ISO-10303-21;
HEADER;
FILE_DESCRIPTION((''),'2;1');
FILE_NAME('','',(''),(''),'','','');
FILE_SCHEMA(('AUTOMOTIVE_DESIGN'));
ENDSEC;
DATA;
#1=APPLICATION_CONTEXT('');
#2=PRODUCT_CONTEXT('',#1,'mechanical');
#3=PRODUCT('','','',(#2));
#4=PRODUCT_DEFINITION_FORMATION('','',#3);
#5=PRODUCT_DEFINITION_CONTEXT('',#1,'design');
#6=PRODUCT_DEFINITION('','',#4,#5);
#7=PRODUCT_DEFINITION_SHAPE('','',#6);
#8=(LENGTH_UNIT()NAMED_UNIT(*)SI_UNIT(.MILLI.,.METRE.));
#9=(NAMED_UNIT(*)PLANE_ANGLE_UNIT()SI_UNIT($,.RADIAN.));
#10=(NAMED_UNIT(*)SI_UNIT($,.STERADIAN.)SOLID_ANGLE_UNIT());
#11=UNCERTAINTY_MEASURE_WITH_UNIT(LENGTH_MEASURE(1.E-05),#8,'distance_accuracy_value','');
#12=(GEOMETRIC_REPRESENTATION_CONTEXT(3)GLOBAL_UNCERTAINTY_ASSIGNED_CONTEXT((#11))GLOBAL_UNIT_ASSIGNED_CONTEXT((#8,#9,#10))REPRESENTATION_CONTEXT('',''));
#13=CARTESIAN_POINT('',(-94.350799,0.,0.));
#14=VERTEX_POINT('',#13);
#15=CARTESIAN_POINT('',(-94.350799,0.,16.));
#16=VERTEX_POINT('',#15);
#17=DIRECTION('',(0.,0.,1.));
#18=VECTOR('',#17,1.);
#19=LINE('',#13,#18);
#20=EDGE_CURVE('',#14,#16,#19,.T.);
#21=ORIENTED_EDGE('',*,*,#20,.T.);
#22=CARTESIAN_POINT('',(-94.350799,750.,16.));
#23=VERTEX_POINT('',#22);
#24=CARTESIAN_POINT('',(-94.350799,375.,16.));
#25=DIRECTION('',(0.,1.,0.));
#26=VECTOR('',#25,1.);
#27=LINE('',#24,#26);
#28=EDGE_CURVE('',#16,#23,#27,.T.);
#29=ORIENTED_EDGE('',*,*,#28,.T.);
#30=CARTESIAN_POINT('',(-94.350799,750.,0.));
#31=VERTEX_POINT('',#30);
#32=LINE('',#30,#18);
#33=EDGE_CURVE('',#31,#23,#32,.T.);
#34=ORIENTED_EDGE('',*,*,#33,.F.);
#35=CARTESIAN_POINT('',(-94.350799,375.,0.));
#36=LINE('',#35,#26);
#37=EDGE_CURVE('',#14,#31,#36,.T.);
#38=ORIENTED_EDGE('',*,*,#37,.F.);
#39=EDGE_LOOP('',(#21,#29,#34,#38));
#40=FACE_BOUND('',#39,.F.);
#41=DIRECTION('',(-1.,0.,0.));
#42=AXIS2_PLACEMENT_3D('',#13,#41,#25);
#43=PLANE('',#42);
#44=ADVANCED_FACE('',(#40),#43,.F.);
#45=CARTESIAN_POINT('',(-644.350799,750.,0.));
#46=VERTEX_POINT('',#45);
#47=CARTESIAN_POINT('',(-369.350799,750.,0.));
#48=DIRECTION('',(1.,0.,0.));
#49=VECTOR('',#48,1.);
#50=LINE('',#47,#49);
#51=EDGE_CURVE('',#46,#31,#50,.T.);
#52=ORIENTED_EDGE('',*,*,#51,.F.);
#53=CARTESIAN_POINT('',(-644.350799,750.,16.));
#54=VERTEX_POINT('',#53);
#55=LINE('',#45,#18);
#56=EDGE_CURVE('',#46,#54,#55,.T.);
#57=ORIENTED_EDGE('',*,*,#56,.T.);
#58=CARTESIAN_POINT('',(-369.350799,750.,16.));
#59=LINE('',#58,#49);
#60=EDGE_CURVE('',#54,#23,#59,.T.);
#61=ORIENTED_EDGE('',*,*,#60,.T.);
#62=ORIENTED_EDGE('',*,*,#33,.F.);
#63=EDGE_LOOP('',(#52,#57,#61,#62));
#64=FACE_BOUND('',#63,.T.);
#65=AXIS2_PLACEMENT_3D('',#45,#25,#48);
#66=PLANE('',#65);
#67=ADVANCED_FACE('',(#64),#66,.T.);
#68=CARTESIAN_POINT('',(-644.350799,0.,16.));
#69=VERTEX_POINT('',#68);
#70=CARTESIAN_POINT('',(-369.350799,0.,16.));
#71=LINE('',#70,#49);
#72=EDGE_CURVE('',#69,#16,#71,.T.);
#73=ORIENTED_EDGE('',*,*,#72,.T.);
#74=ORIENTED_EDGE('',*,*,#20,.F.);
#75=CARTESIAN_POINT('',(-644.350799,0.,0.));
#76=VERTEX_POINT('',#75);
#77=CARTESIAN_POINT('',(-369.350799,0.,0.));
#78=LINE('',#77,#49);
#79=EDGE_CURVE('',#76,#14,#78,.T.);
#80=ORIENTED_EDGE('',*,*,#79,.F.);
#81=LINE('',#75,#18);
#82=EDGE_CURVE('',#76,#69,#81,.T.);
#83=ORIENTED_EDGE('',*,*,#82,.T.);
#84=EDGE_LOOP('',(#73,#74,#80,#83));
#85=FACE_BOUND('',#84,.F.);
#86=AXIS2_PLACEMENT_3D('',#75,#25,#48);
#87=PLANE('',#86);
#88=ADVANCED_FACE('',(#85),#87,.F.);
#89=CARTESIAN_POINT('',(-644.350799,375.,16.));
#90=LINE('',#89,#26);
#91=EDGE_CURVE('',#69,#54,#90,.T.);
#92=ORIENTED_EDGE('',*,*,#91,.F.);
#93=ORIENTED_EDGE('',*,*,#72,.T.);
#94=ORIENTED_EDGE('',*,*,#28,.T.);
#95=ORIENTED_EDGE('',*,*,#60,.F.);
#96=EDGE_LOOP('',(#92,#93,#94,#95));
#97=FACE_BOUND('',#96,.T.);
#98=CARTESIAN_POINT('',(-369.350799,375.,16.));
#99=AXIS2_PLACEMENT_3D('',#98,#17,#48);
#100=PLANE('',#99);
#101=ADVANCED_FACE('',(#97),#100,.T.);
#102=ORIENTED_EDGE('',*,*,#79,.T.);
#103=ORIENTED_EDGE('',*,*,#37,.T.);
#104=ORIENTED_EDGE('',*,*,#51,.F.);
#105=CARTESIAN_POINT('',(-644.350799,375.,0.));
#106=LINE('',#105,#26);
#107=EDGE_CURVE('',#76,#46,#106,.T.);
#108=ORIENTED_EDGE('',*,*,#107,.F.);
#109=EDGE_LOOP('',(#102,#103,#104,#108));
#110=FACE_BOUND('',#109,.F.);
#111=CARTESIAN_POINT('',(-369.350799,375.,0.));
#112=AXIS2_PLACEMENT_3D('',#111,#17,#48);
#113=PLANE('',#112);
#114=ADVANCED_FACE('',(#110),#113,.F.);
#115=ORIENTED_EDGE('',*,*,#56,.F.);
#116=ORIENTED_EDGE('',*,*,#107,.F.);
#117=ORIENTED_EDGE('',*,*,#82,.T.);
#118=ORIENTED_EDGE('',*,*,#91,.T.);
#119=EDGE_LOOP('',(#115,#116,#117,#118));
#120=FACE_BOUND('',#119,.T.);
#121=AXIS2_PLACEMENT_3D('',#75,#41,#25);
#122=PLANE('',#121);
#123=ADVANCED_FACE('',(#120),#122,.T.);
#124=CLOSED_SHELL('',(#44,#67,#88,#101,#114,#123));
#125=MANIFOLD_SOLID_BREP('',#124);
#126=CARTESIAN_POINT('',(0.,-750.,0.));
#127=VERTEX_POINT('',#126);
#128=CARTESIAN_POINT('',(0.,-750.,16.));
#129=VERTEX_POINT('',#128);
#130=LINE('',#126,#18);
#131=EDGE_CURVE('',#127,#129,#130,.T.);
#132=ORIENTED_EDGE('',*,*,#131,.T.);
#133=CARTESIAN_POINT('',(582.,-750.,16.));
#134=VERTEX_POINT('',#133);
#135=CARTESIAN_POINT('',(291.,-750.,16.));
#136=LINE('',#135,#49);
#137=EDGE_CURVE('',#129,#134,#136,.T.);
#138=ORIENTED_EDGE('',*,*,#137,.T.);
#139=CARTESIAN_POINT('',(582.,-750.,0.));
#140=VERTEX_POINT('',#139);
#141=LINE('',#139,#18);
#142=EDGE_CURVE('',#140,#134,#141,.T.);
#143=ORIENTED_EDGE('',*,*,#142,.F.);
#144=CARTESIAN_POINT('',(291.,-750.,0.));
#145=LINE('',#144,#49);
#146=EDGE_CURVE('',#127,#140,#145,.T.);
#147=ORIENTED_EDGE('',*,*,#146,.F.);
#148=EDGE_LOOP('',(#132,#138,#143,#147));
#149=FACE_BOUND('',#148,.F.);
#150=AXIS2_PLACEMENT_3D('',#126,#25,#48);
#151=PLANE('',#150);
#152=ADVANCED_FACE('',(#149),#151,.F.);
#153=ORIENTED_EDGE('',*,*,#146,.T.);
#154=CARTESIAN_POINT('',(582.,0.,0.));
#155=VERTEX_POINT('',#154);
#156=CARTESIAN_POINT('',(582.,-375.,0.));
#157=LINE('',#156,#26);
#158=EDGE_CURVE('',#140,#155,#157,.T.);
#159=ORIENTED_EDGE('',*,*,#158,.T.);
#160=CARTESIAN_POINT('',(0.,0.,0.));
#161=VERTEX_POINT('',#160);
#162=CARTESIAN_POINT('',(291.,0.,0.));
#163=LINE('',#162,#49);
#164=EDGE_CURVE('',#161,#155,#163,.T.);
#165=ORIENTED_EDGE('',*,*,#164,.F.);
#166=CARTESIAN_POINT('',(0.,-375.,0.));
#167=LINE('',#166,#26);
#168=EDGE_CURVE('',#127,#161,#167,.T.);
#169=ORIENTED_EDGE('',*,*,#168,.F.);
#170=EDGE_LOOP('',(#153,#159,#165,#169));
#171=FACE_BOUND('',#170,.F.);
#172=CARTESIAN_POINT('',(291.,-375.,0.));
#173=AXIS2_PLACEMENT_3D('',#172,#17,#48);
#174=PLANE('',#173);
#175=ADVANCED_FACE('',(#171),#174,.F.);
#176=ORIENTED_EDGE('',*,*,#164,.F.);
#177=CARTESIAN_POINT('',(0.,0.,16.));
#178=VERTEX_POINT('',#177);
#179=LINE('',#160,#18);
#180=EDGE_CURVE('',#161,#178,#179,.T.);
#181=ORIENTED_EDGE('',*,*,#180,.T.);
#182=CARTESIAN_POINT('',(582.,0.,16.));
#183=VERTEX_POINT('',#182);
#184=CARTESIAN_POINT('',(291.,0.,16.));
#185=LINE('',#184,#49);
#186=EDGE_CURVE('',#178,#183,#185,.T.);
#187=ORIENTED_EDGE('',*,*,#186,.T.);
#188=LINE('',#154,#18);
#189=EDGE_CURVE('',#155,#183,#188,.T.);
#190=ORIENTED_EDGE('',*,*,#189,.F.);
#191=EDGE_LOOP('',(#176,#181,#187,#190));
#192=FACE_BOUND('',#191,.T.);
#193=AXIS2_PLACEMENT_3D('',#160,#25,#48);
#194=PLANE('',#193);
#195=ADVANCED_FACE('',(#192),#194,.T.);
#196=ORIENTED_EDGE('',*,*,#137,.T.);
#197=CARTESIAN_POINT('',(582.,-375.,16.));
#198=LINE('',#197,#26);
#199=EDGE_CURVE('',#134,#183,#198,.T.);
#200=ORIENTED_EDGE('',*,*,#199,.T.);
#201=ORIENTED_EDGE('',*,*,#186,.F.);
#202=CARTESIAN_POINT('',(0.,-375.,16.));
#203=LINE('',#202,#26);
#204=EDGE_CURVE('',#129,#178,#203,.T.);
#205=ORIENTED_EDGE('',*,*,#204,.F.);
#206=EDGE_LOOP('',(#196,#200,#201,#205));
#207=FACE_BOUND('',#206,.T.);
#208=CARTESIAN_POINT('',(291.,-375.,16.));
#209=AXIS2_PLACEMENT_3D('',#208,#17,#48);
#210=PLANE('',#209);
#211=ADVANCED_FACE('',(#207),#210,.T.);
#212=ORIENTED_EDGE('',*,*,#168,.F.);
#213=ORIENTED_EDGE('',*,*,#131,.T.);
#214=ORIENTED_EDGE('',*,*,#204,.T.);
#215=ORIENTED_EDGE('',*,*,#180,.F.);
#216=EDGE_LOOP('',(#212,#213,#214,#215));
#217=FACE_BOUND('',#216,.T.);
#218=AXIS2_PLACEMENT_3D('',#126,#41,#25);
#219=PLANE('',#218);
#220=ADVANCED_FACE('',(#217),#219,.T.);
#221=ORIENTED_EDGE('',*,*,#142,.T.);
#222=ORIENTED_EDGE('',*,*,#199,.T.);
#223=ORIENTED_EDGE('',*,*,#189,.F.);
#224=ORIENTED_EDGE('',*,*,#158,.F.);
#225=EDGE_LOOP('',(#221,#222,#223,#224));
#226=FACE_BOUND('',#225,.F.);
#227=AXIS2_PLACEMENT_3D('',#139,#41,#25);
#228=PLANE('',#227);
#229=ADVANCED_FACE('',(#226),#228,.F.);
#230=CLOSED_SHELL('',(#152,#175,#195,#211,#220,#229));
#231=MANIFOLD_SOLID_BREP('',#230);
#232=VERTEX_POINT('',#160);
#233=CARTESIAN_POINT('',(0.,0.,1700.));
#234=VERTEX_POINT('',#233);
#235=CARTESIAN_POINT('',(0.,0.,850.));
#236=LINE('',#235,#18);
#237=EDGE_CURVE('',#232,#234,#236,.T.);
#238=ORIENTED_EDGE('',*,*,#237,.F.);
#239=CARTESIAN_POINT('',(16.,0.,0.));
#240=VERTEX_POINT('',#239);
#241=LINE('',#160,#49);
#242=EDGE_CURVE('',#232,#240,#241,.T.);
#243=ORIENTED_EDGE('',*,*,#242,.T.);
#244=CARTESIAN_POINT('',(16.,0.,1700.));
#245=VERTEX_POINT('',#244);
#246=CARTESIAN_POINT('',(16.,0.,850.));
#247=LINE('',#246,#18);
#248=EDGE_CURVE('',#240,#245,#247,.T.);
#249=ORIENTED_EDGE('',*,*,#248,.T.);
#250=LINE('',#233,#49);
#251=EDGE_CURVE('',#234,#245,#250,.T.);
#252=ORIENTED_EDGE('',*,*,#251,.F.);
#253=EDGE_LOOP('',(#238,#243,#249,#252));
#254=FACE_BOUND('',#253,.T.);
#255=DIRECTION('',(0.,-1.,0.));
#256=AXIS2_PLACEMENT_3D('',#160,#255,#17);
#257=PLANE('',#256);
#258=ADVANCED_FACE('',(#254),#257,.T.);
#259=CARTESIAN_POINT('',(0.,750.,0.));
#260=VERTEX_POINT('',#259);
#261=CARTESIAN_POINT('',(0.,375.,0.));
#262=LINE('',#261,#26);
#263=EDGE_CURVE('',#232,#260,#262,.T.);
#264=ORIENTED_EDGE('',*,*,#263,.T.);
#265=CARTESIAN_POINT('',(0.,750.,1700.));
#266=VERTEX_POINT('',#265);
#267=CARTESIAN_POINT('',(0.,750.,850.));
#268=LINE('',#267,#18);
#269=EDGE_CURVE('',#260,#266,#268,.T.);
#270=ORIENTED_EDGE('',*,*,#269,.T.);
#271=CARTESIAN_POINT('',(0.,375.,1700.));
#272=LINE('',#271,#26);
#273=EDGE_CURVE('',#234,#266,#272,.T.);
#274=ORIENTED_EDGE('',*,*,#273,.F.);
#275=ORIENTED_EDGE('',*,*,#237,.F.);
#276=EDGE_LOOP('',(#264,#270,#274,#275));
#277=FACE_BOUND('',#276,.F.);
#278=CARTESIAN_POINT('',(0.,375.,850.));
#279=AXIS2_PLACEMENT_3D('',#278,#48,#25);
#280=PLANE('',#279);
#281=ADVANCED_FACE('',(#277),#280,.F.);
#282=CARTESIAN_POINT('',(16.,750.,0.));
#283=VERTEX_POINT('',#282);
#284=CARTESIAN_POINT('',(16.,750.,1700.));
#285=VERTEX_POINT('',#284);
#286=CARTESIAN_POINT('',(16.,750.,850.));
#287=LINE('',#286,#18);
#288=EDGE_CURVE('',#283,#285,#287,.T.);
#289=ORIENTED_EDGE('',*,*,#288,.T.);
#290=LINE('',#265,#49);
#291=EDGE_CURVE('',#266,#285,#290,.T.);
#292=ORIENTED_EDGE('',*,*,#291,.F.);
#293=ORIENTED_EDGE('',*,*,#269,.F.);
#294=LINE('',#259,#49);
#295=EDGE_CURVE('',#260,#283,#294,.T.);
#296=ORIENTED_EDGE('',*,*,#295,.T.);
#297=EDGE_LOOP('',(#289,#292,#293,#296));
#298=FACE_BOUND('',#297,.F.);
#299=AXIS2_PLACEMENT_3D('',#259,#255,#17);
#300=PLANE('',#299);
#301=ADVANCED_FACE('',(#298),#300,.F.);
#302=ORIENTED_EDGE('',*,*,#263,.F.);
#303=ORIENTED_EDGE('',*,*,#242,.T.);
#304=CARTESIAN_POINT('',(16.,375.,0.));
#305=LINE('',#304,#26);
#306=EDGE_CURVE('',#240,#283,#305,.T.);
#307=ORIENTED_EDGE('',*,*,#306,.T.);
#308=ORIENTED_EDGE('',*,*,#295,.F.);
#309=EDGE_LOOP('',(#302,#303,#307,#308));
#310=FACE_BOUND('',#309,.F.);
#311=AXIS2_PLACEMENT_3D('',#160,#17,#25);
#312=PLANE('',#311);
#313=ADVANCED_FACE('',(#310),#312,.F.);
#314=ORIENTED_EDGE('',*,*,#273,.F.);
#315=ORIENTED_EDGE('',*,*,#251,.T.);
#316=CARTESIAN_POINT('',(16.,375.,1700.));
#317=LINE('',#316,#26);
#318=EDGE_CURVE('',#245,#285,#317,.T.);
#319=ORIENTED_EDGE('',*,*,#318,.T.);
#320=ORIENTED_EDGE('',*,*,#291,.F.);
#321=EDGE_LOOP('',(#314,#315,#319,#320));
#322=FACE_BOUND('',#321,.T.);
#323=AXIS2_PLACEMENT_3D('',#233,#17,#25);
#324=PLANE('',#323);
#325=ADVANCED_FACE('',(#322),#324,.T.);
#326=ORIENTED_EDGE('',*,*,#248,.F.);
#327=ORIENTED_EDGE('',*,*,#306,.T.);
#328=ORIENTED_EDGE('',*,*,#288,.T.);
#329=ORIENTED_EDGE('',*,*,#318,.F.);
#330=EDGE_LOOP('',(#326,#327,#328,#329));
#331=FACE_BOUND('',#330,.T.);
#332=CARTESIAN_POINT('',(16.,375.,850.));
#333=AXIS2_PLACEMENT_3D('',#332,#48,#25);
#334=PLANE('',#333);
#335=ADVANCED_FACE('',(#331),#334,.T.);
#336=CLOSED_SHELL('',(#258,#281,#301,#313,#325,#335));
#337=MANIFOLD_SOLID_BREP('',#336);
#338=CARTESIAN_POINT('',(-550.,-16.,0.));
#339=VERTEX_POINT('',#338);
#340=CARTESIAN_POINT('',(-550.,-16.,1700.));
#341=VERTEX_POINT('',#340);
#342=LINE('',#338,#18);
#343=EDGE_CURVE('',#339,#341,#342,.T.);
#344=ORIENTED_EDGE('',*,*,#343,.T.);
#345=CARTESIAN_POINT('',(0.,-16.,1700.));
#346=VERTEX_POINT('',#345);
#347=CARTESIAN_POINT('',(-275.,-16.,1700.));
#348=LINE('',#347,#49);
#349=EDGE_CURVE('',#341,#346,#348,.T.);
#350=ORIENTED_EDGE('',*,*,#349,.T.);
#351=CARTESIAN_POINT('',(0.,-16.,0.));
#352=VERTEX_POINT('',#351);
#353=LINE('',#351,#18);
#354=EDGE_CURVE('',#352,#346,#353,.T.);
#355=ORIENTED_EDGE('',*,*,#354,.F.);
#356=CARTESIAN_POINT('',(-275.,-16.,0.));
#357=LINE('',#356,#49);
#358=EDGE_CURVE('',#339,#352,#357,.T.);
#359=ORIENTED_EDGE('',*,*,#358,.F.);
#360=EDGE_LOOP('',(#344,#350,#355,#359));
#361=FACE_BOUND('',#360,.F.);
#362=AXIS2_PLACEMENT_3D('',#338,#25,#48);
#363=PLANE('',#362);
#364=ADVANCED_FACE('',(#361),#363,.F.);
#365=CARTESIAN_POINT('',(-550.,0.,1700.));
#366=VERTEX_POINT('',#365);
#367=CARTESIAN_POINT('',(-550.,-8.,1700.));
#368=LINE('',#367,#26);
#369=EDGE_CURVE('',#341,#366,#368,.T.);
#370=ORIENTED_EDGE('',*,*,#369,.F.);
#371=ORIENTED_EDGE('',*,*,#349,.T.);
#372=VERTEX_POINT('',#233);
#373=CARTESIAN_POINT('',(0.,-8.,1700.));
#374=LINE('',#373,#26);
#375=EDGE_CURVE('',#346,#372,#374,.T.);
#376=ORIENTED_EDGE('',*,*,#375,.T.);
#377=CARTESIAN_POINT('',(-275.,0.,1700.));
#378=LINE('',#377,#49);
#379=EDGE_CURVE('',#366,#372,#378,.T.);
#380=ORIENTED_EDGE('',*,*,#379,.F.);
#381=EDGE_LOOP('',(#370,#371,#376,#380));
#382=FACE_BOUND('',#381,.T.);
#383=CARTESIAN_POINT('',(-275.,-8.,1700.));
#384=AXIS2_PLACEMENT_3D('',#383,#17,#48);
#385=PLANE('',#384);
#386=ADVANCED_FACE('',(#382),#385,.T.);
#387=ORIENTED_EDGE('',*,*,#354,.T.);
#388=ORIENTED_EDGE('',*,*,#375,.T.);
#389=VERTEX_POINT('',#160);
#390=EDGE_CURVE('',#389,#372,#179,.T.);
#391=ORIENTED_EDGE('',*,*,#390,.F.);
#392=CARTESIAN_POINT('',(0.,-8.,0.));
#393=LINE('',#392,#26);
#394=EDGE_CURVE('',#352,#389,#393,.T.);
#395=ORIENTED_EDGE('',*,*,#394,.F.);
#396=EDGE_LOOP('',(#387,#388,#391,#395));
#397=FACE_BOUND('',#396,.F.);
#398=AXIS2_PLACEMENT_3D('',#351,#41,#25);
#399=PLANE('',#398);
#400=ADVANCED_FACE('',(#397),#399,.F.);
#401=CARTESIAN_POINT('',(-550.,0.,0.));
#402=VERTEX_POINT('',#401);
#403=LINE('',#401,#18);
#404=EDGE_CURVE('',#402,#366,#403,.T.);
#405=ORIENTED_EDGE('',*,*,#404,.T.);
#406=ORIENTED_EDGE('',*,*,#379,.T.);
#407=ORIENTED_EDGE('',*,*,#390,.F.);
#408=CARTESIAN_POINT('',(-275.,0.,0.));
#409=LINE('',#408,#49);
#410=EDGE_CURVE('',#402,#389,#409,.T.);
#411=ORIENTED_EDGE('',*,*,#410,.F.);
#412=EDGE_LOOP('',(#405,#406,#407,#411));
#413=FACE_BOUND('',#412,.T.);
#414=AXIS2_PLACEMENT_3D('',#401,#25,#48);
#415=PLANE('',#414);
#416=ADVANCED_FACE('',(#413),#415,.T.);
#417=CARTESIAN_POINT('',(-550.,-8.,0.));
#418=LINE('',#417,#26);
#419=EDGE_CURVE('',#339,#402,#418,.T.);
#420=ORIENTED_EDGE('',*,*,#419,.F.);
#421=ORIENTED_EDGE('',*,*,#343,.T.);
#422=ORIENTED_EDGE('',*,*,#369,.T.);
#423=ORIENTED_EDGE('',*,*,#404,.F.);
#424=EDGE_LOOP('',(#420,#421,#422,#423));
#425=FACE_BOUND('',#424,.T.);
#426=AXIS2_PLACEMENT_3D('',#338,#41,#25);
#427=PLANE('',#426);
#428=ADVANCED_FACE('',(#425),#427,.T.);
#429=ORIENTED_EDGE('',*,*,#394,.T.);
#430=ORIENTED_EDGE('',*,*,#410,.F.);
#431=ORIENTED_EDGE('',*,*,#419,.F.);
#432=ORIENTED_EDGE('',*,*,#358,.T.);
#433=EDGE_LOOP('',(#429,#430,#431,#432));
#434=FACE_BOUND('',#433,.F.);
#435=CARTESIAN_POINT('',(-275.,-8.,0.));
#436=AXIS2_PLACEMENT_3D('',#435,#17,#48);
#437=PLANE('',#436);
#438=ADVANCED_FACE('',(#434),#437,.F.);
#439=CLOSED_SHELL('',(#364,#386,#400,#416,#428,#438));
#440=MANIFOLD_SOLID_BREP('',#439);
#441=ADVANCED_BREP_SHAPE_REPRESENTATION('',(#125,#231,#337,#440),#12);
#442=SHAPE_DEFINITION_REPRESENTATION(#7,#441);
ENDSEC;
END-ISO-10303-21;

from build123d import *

# Parameters (mm, degrees)
F0_W     = 750
F0_H     = 1700
F1_DEPTH = 16
F2_W     = 550
F2_H     = 750
F3_DEPTH = 16
F4_W     = 550
F4_H     = 16
F5_DEPTH = 1700
F6_W     = 582
F6_H     = 750
F7_DEPTH = 16


with BuildPart() as f1:
    # F0 (on Right) → F1 (new body)
    with BuildSketch(Plane.YZ):
        with Locations((375, 850)):
            Rectangle(F0_W, F0_H)
    extrude(amount=F1_DEPTH)


with BuildPart() as f3:
    # F2 (on Top) → F3 (new body)
    with BuildSketch(Plane.XY):
        with Locations((-369.350799, 375)):
            Rectangle(F2_W, F2_H)
    extrude(amount=F3_DEPTH)


with BuildPart() as f5:
    # F4 (on Top) → F5 (new body)
    with BuildSketch(Plane.XY):
        with Locations((-275, -8)):
            Rectangle(F4_W, F4_H)
    extrude(amount=F5_DEPTH)


with BuildPart() as f7:
    # F6 (on Top) → F7 (new body)
    with BuildSketch(Plane.XY):
        with Locations((291, -375)):
            Rectangle(F6_W, F6_H)
    extrude(amount=F7_DEPTH)


solid = Compound([f1.part, f3.part, f5.part, f7.part])
